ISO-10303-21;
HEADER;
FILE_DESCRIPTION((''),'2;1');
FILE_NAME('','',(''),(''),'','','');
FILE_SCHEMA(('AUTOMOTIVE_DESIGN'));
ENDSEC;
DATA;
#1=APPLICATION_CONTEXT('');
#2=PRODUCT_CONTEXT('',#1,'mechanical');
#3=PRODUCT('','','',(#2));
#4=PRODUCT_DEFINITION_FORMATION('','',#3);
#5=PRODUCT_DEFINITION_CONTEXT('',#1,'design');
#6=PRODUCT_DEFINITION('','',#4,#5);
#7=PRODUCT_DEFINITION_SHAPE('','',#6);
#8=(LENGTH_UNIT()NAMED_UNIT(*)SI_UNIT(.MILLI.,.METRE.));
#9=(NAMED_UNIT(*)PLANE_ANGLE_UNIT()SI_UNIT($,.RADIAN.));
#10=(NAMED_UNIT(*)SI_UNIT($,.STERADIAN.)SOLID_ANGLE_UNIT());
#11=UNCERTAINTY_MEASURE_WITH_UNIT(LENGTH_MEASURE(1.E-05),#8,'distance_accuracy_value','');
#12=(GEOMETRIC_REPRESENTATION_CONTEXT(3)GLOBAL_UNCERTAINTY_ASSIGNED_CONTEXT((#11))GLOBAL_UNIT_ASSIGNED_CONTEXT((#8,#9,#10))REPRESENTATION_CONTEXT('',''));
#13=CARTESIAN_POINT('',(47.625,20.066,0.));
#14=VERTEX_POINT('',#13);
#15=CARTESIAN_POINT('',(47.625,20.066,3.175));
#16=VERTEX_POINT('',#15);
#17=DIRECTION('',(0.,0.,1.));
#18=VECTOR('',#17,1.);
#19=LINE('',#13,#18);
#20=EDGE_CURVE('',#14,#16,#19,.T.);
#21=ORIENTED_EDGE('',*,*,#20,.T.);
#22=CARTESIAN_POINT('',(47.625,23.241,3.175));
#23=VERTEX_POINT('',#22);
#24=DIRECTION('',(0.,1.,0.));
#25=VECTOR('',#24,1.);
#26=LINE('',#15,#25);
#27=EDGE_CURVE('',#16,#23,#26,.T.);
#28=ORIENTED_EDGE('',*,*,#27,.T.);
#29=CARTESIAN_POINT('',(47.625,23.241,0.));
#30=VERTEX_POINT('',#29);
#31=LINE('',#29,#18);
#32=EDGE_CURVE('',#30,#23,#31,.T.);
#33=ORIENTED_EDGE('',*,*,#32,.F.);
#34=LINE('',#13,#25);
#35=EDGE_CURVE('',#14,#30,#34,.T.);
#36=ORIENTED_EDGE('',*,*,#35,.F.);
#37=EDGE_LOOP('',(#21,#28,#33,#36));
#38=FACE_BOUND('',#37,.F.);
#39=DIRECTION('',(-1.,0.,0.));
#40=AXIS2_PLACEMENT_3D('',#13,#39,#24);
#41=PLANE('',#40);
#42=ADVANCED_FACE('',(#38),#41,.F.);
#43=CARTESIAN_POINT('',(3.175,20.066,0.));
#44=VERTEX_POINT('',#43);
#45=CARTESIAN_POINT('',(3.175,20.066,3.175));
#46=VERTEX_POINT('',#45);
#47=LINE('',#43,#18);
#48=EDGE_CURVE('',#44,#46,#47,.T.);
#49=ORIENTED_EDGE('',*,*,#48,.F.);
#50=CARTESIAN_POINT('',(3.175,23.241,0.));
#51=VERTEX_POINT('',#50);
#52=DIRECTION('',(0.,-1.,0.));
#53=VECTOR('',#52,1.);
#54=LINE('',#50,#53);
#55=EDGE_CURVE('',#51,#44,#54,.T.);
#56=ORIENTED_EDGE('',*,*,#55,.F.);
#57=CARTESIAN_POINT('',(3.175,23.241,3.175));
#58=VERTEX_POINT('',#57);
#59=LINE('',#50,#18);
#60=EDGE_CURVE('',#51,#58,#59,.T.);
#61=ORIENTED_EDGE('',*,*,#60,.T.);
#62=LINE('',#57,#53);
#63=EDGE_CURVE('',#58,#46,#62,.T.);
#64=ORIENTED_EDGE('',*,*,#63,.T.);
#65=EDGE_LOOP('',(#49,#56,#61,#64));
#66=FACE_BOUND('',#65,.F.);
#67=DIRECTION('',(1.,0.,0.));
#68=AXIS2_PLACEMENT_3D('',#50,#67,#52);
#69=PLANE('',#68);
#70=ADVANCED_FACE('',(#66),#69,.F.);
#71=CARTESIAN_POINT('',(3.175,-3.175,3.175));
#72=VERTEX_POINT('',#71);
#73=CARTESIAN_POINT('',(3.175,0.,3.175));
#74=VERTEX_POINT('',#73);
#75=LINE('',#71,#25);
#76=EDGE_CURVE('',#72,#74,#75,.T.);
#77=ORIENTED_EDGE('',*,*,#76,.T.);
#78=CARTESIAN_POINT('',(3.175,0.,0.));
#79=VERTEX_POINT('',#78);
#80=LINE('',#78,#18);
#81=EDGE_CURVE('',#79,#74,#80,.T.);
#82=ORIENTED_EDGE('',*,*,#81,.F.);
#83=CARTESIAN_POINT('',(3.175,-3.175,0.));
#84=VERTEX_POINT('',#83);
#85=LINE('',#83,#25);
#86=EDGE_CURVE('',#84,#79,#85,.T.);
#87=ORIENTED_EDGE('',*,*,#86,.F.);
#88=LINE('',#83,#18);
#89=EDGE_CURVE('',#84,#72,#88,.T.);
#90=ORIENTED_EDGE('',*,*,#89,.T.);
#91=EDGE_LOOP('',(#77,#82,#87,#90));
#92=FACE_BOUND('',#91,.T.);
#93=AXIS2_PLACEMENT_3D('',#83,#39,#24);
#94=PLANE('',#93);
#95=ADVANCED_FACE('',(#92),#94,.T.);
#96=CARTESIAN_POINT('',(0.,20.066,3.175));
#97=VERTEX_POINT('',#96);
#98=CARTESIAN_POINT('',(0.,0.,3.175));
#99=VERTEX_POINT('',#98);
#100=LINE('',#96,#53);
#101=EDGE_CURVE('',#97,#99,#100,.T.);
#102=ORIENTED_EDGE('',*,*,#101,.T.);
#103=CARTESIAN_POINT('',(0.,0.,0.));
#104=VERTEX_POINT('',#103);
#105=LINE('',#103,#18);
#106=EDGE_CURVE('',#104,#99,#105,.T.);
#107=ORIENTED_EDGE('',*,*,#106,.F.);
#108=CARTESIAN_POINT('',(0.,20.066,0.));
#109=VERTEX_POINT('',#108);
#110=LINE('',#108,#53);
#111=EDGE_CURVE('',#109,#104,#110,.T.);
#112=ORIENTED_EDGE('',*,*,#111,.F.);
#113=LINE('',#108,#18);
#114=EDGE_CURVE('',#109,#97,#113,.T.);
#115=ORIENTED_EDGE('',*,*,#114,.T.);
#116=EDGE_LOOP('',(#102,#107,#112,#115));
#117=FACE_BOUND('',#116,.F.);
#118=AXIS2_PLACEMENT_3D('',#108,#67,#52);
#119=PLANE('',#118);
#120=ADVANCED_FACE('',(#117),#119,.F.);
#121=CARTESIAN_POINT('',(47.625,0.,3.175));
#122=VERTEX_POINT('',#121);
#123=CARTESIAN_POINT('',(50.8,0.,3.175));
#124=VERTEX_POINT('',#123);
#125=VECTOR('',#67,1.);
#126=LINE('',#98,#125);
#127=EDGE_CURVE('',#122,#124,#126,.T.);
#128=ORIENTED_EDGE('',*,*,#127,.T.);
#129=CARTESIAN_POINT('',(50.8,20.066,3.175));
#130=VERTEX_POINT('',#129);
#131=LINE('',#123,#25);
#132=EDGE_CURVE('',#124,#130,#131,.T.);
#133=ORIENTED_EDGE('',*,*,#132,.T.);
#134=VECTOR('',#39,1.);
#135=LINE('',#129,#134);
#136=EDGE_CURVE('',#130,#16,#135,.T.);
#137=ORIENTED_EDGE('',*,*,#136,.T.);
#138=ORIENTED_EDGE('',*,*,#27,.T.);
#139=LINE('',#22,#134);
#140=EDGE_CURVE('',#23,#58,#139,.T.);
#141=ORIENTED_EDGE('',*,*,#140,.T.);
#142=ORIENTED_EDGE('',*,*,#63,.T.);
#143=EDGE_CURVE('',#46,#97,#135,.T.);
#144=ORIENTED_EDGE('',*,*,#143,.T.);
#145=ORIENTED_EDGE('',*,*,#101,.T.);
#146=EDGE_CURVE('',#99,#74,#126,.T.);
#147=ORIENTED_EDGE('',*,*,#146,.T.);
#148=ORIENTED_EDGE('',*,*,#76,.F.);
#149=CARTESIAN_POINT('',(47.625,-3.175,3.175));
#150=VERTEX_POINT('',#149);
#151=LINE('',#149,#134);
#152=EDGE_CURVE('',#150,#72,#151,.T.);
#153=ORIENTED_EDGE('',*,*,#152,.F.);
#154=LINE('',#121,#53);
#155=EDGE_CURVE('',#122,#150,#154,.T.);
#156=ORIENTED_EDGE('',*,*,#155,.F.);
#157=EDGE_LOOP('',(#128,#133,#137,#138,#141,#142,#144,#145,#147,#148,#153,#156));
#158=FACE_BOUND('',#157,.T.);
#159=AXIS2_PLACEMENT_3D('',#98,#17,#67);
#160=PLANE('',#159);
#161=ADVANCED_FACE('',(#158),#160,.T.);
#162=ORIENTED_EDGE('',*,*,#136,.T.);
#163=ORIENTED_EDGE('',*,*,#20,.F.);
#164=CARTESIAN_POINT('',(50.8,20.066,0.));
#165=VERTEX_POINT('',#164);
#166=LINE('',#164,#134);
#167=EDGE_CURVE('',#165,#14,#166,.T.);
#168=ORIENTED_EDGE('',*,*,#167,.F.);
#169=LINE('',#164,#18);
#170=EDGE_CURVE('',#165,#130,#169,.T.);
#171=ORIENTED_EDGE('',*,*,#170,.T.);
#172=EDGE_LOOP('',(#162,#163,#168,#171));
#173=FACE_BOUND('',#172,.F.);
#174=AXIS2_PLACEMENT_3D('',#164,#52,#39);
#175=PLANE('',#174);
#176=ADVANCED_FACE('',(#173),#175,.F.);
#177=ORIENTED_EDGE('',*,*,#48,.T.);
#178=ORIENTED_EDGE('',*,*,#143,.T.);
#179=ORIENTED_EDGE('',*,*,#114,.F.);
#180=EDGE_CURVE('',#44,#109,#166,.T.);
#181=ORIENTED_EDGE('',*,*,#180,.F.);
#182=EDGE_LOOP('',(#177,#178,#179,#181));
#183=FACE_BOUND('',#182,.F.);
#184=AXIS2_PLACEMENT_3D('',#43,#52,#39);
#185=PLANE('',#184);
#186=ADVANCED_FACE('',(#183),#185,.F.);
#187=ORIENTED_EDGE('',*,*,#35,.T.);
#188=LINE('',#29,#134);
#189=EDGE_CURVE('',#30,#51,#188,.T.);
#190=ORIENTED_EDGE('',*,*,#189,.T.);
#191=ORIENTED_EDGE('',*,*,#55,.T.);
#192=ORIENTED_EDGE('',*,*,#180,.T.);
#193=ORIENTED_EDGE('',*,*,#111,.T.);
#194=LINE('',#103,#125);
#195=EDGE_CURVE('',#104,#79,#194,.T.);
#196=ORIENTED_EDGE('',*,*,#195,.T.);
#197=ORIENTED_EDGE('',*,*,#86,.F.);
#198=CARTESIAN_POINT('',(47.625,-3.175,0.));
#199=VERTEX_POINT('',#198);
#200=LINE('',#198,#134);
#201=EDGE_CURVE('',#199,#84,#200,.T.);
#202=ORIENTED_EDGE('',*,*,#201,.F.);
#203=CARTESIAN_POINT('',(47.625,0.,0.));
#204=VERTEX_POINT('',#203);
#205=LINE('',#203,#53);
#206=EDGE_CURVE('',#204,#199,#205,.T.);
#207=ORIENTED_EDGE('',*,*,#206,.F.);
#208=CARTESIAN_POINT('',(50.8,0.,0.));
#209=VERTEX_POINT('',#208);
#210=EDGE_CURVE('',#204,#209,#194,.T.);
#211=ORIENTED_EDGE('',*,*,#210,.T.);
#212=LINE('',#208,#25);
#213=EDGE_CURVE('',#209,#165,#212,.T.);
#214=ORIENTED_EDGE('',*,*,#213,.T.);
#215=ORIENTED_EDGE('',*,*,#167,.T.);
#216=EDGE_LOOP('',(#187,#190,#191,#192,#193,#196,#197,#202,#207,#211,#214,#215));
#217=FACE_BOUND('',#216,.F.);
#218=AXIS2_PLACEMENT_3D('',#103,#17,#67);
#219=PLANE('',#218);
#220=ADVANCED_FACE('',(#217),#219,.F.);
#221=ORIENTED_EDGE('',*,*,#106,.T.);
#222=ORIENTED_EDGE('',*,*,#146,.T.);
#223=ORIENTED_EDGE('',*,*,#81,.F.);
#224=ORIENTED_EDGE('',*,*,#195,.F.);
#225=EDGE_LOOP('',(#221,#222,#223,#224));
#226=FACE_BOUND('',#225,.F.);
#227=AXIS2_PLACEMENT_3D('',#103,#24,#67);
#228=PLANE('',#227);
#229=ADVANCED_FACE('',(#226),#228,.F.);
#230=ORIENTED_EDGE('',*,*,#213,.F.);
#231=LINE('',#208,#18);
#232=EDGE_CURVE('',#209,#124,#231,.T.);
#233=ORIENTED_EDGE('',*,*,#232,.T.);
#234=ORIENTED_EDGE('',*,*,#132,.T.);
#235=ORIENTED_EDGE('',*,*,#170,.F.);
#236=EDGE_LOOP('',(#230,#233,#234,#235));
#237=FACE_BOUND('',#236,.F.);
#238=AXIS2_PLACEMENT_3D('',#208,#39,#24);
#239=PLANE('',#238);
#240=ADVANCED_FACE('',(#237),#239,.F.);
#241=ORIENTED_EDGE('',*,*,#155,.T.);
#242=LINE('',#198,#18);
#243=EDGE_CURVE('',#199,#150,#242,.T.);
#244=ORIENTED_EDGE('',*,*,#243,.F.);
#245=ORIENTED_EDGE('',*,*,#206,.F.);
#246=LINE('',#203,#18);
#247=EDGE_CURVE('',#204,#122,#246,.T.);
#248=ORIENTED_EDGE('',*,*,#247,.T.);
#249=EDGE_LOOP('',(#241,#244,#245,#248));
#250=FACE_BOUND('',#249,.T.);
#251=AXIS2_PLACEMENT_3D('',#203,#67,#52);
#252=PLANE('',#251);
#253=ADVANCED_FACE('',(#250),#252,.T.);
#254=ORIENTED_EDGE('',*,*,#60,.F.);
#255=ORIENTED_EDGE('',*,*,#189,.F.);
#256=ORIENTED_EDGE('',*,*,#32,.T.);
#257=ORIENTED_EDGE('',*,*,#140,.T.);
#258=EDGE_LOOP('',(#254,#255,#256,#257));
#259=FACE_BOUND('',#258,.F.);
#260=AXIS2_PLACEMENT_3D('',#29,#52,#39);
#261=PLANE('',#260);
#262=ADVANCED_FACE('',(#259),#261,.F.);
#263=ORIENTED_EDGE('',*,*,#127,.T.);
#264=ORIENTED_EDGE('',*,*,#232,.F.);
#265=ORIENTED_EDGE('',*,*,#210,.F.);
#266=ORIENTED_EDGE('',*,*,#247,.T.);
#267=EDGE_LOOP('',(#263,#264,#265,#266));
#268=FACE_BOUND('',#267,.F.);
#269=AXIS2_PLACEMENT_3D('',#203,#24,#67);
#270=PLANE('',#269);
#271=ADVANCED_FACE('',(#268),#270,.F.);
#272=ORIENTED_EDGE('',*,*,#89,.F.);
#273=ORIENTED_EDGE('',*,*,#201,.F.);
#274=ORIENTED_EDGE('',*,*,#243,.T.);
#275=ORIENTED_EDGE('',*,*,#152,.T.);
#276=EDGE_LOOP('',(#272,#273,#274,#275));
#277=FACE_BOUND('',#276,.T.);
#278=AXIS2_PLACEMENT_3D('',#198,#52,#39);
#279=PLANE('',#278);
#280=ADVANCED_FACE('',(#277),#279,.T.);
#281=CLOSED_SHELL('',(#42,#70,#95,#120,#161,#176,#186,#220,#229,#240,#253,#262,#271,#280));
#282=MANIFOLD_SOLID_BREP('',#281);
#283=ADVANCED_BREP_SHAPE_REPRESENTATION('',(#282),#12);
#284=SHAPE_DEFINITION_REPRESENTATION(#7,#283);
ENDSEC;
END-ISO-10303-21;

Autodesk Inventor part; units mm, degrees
ref_plane "YZ Plane" through (0, 0, 0) normal (1, 0, 0) x (0, 1, 0)
ref_plane "XZ Plane" through (0, 0, 0) normal (0, 1, 0) x (-1, 0, 0)
ref_plane "XY Plane" through (0, 0, 0) normal (0, 0, 1) x (1, 0, 0)
sketch "Sketch1" plane through (0, 0, 0) normal (0, 0, 1) x (1, 0, 0)
  line L0 (0, 0) -> (50.8, 0)
  line L1 (50.8, 0) -> (50.8, 20.066)
  line L2 (50.8, 20.066) -> (0, 20.066)
  line L3 (0, 20.066) -> (0, 0)
  line L4 (3.175, 20.066) -> (47.625, 20.066)
  line L5 (47.625, 20.066) -> (47.625, 23.241)
  line L6 (47.625, 23.241) -> (3.175, 23.241)
  line L7 (3.175, 23.241) -> (3.175, 20.066)
  line L8 (3.175, 0) -> (47.625, 0)
  line L9 (47.625, 0) -> (47.625, -3.175)
  line L10 (47.625, -3.175) -> (3.175, -3.175)
  line L11 (3.175, -3.175) -> (3.175, 0)
  point P0 (47.625, -1.5875)
  dimension "d0" = 3.175
  dimension "d1" = 3.175
  dimension "d2" = 3.175
  dimension "d3" = 3.175
  dimension "d4" = 3.175
  dimension "d5" = 3.175
  dimension "d6" = 44.45
  dimension "d7" = 20.066
extrude "Extrusion1" add sketch "Sketch1" along normal blind 3.175
properties part number "front support"
